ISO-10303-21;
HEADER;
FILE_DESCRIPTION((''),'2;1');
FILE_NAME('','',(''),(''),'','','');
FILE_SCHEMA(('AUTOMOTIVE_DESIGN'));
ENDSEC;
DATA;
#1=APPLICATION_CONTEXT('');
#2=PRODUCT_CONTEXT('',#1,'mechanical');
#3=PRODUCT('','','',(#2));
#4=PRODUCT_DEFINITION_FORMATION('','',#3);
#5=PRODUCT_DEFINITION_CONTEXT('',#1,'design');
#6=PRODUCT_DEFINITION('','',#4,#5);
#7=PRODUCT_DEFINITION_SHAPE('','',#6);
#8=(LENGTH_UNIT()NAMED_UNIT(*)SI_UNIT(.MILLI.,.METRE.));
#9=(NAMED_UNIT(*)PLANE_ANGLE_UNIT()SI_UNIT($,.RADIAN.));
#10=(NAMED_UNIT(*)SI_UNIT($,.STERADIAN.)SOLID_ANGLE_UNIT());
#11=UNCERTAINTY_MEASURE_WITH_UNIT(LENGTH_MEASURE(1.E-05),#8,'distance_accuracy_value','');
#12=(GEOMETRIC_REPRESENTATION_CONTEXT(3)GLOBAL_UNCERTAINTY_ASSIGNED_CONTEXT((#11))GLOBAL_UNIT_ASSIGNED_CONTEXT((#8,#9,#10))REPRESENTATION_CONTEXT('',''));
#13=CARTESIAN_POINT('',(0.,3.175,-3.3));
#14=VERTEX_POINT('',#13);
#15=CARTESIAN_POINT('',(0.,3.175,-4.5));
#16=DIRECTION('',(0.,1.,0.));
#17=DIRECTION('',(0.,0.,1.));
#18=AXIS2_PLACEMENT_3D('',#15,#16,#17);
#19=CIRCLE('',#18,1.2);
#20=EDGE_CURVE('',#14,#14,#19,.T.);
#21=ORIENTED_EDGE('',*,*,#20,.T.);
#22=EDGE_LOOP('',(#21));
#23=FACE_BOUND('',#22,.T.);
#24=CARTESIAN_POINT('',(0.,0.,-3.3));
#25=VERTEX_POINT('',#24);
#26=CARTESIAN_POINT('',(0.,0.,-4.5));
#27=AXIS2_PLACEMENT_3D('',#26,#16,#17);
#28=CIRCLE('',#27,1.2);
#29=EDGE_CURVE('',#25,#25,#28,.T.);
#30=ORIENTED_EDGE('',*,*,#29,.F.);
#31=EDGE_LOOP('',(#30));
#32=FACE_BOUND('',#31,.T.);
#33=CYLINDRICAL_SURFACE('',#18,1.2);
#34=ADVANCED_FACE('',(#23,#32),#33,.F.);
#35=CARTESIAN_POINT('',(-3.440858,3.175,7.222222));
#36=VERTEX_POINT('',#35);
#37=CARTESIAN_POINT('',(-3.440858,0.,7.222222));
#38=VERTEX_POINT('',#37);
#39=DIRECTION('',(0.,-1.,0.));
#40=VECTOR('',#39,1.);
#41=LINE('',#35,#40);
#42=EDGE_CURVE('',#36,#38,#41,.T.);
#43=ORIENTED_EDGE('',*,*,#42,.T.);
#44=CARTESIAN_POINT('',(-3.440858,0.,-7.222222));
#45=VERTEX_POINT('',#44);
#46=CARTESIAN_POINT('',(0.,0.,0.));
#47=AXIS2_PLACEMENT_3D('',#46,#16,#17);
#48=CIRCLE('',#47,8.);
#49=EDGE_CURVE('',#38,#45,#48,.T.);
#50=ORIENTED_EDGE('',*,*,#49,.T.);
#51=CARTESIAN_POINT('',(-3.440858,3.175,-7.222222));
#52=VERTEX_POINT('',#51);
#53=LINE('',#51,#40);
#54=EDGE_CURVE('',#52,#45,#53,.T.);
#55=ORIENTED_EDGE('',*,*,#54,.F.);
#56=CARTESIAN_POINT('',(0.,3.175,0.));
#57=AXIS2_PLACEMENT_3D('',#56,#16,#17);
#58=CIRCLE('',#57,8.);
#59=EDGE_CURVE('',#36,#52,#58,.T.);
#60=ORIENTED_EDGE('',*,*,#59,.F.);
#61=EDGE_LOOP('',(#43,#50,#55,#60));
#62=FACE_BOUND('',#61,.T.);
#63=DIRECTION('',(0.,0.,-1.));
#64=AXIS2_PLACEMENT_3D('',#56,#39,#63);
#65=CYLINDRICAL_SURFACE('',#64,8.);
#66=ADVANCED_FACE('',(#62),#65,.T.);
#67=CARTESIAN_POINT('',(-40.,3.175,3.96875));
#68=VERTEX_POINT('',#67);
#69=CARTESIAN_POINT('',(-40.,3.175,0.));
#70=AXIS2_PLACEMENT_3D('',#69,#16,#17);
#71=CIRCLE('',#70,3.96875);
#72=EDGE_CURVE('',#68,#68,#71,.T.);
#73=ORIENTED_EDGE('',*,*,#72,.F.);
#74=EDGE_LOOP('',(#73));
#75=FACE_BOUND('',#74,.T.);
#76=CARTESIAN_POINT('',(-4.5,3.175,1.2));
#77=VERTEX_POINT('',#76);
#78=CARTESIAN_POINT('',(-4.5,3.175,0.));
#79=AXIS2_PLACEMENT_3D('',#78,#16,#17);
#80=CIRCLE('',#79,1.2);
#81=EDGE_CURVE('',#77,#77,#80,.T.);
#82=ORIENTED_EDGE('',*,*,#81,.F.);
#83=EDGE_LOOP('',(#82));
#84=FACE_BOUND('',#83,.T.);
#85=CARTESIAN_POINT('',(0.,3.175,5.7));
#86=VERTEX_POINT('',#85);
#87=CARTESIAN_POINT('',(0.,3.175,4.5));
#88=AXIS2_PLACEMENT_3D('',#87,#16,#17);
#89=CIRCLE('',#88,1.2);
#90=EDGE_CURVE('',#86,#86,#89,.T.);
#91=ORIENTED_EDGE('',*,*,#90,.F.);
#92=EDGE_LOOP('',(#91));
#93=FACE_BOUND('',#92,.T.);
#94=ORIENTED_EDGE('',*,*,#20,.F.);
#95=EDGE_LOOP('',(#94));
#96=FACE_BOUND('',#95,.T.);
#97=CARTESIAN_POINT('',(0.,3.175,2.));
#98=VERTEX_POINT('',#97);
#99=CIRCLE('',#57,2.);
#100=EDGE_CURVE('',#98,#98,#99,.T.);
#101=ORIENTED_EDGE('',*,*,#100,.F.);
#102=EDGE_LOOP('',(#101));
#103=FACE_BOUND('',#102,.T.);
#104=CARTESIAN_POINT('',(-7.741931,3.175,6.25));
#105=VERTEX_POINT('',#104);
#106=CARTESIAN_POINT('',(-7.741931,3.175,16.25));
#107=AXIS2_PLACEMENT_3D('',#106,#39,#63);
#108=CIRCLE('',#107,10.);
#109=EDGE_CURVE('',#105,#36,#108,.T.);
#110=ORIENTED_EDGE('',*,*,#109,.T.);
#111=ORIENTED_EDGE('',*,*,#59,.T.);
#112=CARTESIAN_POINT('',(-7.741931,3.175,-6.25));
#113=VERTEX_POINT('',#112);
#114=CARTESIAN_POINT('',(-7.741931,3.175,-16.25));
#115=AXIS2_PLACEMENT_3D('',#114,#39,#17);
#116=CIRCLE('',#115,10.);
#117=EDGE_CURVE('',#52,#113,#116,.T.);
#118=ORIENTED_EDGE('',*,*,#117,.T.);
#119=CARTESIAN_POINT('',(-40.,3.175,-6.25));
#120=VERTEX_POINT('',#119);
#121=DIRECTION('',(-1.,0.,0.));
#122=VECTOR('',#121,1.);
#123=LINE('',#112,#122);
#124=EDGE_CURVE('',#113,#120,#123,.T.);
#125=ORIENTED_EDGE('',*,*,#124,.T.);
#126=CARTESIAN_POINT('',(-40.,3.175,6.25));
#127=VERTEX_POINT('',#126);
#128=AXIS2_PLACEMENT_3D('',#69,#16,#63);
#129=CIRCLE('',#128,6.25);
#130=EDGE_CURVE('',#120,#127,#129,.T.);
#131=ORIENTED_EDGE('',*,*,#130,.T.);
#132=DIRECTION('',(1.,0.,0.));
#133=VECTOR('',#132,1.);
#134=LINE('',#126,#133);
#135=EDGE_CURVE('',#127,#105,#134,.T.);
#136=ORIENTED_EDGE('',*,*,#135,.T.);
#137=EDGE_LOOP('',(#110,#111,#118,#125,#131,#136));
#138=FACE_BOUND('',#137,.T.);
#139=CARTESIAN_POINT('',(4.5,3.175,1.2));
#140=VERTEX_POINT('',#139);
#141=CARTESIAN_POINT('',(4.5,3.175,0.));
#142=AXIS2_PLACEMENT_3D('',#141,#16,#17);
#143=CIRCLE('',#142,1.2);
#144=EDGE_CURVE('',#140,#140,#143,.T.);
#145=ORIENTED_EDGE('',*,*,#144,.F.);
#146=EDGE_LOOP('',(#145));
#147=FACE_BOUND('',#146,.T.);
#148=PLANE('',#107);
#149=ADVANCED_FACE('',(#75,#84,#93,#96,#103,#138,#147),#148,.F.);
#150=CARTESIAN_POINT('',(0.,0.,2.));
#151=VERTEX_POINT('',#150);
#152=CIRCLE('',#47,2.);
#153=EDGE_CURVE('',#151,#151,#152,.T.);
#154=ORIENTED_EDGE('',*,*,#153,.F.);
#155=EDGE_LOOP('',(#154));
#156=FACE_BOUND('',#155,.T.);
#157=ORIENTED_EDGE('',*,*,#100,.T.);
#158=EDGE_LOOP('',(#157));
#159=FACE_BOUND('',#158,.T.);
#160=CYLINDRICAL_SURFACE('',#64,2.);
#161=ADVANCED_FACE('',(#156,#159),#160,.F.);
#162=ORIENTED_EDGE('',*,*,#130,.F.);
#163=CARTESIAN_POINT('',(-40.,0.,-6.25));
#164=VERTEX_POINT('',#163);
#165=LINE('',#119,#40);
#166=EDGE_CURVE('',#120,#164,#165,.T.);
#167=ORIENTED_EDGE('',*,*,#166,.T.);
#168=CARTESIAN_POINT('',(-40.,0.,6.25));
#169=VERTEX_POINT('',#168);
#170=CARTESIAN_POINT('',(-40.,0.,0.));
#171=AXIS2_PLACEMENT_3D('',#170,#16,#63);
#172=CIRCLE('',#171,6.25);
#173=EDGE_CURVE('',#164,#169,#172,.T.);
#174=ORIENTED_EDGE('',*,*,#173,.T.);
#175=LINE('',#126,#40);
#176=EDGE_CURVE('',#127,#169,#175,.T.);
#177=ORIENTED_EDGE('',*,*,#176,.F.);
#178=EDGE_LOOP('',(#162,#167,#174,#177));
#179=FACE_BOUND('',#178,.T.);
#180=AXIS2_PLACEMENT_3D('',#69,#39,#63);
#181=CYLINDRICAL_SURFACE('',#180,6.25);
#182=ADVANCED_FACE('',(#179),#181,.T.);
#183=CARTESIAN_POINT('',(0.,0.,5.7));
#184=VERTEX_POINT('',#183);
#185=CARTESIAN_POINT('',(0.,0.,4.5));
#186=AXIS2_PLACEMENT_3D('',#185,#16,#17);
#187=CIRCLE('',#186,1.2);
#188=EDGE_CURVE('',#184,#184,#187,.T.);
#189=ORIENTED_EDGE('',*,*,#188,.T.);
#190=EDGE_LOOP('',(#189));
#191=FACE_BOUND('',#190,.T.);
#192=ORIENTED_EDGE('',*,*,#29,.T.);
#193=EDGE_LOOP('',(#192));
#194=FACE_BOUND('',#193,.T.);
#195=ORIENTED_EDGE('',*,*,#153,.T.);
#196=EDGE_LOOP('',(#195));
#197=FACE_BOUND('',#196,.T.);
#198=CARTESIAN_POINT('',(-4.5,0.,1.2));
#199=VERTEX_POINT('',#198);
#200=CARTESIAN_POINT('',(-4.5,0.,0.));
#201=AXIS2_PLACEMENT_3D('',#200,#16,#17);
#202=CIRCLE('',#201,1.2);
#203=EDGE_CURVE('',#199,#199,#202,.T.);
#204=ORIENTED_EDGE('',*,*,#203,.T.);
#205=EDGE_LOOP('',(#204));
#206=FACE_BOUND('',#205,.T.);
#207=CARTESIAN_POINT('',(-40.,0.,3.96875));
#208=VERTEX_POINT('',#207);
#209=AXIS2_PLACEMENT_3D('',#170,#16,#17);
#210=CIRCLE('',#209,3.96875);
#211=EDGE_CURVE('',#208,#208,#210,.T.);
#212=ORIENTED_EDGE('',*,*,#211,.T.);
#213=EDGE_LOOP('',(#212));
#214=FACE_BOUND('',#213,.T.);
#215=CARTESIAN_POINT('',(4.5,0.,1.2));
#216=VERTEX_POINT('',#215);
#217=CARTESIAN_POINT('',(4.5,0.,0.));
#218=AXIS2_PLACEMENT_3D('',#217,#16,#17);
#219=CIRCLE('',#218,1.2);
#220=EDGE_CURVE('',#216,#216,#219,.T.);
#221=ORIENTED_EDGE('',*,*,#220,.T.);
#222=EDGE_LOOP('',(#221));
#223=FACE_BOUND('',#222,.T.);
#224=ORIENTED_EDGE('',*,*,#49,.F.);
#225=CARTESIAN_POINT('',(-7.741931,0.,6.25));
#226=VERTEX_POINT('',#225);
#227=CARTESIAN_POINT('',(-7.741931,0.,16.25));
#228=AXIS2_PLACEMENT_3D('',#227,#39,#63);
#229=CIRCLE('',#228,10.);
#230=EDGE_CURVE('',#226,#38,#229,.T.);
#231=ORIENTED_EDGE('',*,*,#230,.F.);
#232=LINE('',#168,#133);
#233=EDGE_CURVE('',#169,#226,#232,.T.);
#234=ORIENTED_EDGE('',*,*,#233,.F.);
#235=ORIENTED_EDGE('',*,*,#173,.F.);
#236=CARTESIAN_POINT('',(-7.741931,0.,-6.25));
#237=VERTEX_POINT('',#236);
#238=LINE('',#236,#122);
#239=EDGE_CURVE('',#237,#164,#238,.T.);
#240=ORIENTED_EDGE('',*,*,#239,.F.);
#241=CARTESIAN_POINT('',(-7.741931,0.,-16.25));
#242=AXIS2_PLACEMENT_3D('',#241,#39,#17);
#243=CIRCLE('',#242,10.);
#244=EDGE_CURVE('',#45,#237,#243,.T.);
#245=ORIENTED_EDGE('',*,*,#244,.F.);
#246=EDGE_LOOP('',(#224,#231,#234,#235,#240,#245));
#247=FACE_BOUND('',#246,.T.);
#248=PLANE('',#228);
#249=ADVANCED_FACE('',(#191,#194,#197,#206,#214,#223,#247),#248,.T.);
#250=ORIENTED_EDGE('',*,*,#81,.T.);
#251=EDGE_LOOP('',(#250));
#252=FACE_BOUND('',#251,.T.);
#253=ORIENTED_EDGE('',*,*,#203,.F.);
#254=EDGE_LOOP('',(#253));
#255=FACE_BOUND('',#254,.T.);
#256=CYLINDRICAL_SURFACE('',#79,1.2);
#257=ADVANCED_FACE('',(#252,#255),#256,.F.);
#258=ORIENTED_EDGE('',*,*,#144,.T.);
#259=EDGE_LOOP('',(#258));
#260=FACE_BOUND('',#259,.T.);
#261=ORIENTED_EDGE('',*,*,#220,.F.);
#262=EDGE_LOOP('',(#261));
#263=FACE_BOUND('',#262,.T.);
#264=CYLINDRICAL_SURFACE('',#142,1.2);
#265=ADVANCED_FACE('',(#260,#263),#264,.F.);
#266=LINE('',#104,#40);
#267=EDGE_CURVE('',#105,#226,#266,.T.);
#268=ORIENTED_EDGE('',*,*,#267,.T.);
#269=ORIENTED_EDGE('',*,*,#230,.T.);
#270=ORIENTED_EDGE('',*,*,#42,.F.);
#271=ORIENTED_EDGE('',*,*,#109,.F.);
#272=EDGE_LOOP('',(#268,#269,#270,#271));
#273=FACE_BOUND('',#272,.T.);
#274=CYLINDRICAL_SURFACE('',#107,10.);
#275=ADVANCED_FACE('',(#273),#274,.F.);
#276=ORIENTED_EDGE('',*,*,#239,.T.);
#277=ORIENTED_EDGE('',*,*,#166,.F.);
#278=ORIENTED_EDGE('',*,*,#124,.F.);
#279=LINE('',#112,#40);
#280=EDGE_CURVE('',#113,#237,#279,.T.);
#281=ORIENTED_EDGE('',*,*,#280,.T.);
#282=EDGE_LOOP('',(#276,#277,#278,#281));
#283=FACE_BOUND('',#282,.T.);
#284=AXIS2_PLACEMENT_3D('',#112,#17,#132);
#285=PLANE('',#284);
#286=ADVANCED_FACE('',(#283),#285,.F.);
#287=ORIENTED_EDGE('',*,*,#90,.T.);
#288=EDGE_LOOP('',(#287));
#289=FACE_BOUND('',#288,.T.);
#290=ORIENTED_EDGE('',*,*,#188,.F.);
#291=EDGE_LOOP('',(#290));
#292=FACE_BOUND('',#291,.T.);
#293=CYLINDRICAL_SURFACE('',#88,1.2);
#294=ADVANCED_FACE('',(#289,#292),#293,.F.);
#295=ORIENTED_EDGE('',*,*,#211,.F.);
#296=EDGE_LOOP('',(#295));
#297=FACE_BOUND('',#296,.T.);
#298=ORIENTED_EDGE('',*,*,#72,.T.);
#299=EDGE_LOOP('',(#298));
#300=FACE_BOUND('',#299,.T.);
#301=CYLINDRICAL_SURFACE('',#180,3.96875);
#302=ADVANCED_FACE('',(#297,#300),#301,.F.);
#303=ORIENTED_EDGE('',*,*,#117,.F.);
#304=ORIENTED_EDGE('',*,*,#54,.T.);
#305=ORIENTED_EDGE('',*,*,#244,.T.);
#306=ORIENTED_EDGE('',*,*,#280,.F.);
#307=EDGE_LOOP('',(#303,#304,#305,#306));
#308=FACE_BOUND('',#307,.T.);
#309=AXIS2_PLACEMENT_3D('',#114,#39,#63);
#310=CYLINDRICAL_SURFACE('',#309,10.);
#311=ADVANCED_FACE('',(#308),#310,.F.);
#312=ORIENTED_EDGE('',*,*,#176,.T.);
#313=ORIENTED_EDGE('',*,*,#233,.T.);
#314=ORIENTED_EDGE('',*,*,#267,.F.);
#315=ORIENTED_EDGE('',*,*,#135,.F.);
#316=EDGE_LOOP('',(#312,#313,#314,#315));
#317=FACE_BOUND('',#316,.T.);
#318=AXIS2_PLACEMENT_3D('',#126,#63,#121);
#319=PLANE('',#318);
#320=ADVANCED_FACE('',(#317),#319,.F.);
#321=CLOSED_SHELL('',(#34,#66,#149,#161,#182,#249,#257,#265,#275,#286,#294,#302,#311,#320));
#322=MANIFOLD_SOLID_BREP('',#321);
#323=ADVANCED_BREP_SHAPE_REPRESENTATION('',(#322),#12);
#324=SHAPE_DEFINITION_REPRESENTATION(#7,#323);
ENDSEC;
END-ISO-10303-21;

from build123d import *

# Parameters (mm, degrees)
SKETCH1_R            = 3.96875
SKETCH1_R_2          = 2
BOSS_EXTRUDE1_DEPTH  = 3.175
M2_CLEARANCE_HOLE1_D = 2.4


with BuildPart() as part:
    # Sketch1 → Boss-Extrude1 (new body)
    with BuildSketch(Plane(origin=(0, 0, 0), x_dir=(1, 0, 0), z_dir=(0, 1, 0))):
        with BuildLine():
            Line((-7.741931284, 6.25), (-40, 6.25))
            ThreePointArc((-40, 6.25), (-46.25, 0), (-40, -6.25))
            Line((-40, -6.25), (-7.741931284, -6.25))
            ThreePointArc((-7.741931284, -6.25), (-5.537138524, -6.496083408), (-3.440858348, -7.222222222))
            ThreePointArc((-3.440858348, -7.222222222), (8, 0), (-3.440858348, 7.222222222))
            ThreePointArc((-3.440858348, 7.222222222), (-5.537138524, 6.496083408), (-7.741931284, 6.25))
        make_face()
        with Locations(Location((-40, 0, 0), (0, 0, 270))):
            Circle(SKETCH1_R, mode=Mode.SUBTRACT)
        with Locations(Location((0, 0, 0), (0, 0, 270))):
            Circle(SKETCH1_R_2, mode=Mode.SUBTRACT)
    extrude(amount=BOSS_EXTRUDE1_DEPTH)

    # M2 Clearance Hole1 (through all)
    with Locations(Plane(origin=(0, 3.175, 0), x_dir=(1, 0, 0), z_dir=(0, 1, 0))):
        with Locations((-4.5, 0), (0, 4.5), (4.5, 0), (0, -4.5)):
            Hole(M2_CLEARANCE_HOLE1_D / 2)


solid = part.part
